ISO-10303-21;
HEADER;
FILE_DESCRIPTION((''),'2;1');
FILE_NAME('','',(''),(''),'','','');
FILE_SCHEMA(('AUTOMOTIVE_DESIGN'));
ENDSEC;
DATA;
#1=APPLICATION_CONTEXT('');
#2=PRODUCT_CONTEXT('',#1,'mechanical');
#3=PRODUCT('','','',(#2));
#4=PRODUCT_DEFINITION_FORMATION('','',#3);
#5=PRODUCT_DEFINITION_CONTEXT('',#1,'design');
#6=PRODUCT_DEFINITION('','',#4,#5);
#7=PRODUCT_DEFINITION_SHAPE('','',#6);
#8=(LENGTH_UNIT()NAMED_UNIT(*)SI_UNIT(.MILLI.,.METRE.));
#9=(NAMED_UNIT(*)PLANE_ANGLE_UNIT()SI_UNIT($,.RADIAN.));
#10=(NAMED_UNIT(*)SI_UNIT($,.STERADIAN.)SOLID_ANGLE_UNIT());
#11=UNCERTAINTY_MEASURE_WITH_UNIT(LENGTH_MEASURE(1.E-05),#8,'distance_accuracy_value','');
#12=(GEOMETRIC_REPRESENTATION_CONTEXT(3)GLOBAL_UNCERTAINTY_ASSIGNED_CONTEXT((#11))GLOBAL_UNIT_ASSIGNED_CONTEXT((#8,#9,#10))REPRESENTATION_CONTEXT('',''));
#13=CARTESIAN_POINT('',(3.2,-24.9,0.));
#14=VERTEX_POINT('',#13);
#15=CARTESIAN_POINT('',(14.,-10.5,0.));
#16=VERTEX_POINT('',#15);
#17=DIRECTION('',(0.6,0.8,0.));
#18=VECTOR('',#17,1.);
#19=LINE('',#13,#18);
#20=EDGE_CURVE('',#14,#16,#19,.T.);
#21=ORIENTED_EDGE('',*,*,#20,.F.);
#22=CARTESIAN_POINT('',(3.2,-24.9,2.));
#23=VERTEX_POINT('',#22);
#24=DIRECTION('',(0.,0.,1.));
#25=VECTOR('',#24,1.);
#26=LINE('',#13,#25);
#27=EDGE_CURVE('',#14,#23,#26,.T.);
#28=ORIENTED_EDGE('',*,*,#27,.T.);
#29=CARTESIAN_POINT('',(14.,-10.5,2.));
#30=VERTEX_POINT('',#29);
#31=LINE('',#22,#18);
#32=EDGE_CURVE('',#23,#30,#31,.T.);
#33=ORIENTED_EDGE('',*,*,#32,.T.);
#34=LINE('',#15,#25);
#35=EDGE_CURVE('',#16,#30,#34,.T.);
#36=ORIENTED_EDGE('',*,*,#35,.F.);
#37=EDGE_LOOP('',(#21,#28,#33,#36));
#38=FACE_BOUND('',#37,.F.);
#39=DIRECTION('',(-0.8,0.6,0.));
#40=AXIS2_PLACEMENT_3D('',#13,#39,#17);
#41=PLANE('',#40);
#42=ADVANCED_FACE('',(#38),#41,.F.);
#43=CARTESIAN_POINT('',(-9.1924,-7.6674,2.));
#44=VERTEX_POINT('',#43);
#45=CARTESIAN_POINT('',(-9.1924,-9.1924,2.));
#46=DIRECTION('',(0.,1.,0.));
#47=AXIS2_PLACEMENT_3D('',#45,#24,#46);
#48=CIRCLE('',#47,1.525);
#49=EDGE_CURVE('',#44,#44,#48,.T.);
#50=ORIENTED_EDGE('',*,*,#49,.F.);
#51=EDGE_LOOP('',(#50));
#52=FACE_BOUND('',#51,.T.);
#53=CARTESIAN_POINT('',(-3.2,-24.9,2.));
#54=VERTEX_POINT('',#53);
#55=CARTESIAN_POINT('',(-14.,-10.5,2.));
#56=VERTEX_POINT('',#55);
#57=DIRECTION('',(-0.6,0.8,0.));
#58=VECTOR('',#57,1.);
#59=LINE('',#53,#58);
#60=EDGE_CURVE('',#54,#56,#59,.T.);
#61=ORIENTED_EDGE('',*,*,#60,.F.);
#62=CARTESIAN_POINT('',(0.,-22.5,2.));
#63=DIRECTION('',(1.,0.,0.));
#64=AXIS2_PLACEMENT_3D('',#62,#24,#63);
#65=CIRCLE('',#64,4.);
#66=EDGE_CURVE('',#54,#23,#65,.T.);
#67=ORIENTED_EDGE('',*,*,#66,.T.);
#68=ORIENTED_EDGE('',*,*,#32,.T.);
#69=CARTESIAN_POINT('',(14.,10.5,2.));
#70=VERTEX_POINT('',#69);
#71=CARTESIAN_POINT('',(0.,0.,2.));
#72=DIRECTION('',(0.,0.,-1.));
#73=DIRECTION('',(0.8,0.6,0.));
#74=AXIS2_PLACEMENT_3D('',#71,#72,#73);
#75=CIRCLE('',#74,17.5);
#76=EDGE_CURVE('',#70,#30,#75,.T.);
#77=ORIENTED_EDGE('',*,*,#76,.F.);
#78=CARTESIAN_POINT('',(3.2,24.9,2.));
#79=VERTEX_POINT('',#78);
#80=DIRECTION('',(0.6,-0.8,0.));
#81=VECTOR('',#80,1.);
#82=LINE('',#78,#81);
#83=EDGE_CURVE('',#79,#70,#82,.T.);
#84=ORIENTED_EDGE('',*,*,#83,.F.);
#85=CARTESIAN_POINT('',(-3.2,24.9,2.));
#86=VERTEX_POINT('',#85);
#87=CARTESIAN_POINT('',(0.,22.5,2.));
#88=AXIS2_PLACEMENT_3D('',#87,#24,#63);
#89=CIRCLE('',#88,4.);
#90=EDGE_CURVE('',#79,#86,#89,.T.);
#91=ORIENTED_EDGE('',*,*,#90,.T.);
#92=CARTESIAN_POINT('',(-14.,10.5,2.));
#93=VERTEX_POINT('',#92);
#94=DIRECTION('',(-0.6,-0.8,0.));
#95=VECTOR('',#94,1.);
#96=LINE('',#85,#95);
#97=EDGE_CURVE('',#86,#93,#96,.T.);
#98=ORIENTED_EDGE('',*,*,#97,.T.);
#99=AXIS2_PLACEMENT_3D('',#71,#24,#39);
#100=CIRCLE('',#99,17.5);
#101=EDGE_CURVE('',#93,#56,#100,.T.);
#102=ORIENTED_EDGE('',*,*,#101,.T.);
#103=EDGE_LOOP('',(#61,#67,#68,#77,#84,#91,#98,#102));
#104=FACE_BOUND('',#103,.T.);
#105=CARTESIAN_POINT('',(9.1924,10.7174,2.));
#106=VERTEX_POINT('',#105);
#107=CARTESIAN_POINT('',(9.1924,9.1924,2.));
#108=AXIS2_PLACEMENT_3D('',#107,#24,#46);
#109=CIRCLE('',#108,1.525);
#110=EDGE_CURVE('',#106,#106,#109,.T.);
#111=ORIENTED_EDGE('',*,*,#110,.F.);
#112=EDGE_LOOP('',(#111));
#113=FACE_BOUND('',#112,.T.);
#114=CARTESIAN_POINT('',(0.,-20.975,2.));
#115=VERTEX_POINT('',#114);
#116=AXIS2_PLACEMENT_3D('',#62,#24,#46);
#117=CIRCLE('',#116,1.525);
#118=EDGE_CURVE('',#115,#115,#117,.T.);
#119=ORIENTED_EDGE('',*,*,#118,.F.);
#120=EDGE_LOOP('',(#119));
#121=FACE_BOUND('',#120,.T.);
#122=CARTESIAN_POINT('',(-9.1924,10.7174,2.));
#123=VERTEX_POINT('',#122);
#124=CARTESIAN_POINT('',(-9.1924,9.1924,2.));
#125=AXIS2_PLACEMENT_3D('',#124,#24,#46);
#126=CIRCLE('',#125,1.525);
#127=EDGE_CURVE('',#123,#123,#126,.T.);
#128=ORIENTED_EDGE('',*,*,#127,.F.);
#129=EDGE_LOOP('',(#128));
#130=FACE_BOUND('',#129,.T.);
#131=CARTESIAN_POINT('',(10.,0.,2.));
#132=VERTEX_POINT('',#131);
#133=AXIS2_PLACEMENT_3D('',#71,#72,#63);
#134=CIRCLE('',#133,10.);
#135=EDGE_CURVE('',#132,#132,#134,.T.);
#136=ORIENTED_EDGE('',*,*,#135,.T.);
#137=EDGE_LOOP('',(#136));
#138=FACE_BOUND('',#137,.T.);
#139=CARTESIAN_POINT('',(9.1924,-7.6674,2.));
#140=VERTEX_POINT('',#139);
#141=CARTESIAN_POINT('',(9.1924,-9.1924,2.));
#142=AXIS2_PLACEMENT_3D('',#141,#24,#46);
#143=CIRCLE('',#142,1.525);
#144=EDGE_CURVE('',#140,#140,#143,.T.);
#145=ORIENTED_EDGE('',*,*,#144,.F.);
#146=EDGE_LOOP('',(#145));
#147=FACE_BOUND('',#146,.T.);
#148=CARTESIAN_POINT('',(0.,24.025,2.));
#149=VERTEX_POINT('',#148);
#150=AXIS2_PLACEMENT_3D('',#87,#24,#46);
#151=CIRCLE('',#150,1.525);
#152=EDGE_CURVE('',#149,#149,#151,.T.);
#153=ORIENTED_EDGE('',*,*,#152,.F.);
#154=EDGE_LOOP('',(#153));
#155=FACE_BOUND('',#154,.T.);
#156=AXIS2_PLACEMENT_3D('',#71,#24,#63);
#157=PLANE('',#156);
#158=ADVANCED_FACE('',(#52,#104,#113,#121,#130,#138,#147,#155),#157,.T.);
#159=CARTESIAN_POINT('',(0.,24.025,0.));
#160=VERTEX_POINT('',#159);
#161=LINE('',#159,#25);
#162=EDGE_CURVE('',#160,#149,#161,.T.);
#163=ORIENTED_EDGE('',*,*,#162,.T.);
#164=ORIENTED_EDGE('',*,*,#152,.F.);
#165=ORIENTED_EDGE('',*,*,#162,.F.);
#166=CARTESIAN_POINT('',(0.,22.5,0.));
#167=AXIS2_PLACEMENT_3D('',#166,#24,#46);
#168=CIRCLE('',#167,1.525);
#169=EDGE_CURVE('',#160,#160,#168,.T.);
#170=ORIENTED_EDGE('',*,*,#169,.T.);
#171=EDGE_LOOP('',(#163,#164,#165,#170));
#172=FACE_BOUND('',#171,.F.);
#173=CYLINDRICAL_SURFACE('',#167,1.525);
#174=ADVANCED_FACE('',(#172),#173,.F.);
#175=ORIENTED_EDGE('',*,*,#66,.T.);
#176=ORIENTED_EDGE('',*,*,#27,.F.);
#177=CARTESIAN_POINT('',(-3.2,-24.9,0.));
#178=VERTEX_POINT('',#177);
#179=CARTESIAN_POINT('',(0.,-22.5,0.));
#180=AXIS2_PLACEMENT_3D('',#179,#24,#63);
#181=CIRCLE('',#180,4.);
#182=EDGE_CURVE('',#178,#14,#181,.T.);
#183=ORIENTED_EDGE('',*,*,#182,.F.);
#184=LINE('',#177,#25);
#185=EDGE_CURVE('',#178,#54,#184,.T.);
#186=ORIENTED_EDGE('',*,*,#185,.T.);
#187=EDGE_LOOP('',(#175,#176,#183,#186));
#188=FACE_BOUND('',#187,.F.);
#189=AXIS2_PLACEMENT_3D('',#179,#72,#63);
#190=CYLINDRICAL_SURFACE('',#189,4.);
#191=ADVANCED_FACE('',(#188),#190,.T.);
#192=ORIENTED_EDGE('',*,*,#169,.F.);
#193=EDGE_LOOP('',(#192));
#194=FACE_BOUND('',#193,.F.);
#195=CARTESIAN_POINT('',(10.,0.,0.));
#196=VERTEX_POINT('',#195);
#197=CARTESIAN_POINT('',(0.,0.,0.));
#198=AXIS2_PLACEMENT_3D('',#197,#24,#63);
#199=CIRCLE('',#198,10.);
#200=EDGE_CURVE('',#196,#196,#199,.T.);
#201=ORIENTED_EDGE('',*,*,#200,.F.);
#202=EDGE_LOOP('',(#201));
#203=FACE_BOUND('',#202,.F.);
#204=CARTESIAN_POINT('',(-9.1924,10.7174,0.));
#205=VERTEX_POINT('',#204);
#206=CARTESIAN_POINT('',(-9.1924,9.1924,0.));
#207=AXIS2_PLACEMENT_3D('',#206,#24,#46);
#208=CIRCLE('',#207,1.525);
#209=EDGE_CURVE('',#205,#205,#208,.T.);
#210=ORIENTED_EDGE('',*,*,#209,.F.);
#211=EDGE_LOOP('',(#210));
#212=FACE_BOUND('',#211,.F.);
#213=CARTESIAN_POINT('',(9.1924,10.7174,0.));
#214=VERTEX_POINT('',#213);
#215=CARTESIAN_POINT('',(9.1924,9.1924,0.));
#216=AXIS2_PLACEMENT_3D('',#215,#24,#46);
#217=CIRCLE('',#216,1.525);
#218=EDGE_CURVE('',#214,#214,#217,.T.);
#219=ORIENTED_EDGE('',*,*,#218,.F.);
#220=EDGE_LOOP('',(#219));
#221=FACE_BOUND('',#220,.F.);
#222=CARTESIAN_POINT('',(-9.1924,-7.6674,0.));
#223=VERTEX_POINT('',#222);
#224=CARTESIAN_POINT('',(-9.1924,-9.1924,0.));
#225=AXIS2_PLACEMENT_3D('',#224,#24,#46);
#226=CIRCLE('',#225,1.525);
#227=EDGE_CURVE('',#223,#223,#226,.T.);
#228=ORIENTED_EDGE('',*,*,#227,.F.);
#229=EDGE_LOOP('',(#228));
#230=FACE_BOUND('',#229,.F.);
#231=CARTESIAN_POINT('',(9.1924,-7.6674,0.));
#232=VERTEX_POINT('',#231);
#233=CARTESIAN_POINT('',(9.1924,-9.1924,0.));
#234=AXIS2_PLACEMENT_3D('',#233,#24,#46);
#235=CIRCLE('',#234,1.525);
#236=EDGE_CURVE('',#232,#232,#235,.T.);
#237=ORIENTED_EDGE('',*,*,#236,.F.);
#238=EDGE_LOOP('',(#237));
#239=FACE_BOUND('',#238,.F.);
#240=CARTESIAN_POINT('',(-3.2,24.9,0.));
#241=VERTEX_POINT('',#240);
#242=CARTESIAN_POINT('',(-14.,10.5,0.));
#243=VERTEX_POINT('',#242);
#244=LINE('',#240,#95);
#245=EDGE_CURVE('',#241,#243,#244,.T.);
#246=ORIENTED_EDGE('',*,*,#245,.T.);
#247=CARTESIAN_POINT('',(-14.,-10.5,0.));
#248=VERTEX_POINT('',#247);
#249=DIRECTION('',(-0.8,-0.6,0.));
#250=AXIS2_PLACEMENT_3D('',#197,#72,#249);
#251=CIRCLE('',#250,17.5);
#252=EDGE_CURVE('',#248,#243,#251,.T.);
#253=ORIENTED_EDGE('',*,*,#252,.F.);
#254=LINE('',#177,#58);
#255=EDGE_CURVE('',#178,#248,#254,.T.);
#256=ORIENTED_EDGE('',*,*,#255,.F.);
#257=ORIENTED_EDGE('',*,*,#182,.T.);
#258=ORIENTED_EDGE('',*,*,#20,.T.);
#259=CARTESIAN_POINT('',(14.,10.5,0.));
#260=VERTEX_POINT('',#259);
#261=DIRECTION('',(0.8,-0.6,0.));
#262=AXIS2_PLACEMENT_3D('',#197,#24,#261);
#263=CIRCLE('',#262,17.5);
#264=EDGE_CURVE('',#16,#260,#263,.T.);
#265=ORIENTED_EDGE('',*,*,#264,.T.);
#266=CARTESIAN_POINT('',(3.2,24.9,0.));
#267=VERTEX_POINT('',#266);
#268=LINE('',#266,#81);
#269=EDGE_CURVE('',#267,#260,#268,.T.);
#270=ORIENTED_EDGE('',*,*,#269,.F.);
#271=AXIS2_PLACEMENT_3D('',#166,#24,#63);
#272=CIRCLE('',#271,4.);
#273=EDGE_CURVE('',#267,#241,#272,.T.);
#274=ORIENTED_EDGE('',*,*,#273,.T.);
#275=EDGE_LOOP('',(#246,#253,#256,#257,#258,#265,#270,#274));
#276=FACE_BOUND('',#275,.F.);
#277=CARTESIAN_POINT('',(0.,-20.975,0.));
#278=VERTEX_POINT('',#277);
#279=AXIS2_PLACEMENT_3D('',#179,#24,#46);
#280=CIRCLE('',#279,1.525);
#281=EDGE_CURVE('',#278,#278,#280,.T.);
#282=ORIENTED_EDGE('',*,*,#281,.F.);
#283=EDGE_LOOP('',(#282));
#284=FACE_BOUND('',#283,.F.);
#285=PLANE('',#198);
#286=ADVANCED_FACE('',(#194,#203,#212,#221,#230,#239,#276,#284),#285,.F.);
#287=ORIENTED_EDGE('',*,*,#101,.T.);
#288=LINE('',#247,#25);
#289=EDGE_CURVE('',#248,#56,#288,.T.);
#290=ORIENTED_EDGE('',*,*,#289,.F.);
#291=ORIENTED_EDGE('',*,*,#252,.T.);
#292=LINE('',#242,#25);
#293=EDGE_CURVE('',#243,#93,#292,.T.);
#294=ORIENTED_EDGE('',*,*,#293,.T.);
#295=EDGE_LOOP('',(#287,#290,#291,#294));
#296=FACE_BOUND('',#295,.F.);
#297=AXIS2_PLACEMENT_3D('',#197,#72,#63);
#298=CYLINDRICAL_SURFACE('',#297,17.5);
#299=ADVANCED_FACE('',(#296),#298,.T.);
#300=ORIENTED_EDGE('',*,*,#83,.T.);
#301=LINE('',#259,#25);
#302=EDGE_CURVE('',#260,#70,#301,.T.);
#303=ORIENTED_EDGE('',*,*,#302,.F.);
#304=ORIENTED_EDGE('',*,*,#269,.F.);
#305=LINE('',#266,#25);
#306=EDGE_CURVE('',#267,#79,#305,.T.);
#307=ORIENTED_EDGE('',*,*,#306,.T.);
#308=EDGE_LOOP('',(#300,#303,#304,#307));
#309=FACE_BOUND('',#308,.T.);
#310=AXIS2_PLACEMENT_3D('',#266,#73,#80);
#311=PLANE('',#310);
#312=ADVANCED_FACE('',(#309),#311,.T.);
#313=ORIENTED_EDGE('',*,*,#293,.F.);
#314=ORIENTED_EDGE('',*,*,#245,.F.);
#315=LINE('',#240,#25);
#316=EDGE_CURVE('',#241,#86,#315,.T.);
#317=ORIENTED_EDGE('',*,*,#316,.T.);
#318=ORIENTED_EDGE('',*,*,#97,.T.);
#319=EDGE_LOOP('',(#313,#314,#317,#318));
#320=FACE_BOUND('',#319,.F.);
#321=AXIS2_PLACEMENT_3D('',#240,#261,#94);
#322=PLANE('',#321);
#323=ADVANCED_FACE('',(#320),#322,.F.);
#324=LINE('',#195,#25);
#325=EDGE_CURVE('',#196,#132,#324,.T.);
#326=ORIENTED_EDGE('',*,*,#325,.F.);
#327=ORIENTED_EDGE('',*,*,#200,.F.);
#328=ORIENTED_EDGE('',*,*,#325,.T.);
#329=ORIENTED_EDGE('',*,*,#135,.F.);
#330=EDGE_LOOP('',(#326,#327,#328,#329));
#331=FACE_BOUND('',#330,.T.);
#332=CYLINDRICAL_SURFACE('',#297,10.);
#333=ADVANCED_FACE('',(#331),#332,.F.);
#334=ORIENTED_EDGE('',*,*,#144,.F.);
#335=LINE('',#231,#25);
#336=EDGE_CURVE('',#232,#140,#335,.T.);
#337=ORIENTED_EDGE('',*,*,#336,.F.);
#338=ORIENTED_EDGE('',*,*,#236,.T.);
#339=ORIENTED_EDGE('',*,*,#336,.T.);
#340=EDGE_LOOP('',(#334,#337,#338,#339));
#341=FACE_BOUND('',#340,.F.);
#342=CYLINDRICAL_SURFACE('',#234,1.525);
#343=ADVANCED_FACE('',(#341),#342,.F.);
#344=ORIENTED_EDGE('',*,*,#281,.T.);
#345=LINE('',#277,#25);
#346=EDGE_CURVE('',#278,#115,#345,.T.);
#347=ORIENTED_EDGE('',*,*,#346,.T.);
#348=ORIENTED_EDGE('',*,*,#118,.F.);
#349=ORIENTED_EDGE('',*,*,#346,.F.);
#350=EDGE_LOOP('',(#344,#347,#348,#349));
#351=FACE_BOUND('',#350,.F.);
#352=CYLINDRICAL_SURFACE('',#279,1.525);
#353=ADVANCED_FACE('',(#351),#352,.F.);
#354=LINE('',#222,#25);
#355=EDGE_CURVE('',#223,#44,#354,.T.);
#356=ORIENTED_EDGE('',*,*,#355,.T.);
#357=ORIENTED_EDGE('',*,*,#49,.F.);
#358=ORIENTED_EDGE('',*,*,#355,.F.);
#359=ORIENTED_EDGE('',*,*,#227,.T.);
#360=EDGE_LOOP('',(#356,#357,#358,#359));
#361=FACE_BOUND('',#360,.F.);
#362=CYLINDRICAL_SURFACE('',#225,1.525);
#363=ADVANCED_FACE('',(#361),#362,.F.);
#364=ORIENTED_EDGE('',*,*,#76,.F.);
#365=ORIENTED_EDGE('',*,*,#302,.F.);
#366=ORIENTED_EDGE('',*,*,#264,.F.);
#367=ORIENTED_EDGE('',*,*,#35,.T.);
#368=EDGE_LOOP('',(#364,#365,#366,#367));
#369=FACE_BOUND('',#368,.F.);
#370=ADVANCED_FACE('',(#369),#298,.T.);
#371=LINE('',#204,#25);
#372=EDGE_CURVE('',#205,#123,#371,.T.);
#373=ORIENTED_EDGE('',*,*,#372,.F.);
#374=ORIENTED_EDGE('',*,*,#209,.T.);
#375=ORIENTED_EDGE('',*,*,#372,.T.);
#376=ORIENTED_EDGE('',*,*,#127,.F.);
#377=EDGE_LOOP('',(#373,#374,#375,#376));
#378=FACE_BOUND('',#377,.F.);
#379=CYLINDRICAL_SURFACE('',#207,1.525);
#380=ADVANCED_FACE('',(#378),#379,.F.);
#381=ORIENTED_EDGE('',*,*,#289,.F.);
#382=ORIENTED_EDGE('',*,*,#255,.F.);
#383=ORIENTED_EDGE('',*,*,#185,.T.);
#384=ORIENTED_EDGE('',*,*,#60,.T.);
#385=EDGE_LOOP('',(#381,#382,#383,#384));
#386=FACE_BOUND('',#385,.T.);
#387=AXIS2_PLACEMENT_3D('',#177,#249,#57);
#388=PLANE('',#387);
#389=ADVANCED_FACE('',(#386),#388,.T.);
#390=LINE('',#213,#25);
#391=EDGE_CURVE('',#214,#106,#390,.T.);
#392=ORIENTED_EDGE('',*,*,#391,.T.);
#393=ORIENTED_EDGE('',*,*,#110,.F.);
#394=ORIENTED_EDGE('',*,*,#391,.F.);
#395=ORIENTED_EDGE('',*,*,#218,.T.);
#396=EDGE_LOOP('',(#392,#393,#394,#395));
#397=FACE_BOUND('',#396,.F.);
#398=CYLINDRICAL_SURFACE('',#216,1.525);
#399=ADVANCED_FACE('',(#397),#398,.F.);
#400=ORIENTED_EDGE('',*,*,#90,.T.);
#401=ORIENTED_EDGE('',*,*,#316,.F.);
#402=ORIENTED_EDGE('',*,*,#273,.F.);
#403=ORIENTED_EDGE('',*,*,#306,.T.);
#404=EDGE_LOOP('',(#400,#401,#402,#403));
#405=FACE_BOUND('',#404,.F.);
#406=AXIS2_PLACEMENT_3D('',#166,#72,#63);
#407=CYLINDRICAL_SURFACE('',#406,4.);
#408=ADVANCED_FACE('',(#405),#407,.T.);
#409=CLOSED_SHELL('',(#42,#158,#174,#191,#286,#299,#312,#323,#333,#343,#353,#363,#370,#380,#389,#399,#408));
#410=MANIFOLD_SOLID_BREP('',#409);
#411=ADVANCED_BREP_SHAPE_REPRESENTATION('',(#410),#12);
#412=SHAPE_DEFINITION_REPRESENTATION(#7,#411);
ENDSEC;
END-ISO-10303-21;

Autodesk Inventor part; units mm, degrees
ref_plane "YZ Plane" through (0, 0, 0) normal (1, 0, 0) x (0, 1, 0)
ref_plane "XZ Plane" through (0, 0, 0) normal (0, 1, 0) x (-1, 0, 0)
ref_plane "XY Plane" through (0, 0, 0) normal (0, 0, 1) x (1, 0, 0)
sketch "スケッチ1" plane through (0, 0, 0) normal (0, 0, 1) x (1, 0, 0)
  circle A0 centre (0, 0) radius 10
  circle A1 centre (0, 0) radius 13 construction
  line L0 (0, 0) -> (0, -7.3396) construction
  circle A2 centre (9.1924, -9.1924) radius 1.55 construction
  line L1 (0, 0) -> (9.1924, -9.1924) construction
  circle A3 centre (9.1924, 9.1924) radius 1.55 construction
  circle A4 centre (-9.1924, 9.1924) radius 1.55 construction
  circle A5 centre (-9.1924, -9.1924) radius 1.55 construction
  line L2 (-24.5, 0) -> (24.5, 0) projected
  circle A6 centre (0, 22.5) radius 4
  circle A7 centre (0, -22.5) radius 4
  circle A8 centre (0, 0) radius 16 construction
  circle A9 centre (0, 0) radius 17.5
  line L3 (-3.2, 24.9) -> (-14, 10.5)
  line L4 (-3.2, -24.9) -> (-14, -10.5)
  line L5 (3.2, -24.9) -> (14, -10.5)
  line L6 (3.2, 24.9) -> (14, 10.5)
  dimension "d3" = 26
  dimension "d2" = 20
  dimension "d4" = 3.1
  dimension "d5" = 45
  dimension "d9" = 360
  dimension "d13" = 45
  dimension "d14" = 8
  dimension "d15" = 8
  dimension "d16" = 32
  dimension "d17" = 35
extrude "押し出し1" add sketch "スケッチ1" along normal blind 2 contours L2 A9 A0 | A0 L2 A9 | A9 L3 A6 L6 | L5 A7 L4 A9 | A6 | A7
hole "穴1" at (9.1924, -9.1924, 0) at (-9.1924, -9.1924, 0) at (9.1924, 9.1924, 0) at (-9.1924, 9.1924, 0) at (0, 22.5, 0) at (0, -22.5, 0) direction (0, 0, 1) diameter 3.05 end through all
properties part number "al_motorbase_1" material "アルミニウム 6061-AHC"
